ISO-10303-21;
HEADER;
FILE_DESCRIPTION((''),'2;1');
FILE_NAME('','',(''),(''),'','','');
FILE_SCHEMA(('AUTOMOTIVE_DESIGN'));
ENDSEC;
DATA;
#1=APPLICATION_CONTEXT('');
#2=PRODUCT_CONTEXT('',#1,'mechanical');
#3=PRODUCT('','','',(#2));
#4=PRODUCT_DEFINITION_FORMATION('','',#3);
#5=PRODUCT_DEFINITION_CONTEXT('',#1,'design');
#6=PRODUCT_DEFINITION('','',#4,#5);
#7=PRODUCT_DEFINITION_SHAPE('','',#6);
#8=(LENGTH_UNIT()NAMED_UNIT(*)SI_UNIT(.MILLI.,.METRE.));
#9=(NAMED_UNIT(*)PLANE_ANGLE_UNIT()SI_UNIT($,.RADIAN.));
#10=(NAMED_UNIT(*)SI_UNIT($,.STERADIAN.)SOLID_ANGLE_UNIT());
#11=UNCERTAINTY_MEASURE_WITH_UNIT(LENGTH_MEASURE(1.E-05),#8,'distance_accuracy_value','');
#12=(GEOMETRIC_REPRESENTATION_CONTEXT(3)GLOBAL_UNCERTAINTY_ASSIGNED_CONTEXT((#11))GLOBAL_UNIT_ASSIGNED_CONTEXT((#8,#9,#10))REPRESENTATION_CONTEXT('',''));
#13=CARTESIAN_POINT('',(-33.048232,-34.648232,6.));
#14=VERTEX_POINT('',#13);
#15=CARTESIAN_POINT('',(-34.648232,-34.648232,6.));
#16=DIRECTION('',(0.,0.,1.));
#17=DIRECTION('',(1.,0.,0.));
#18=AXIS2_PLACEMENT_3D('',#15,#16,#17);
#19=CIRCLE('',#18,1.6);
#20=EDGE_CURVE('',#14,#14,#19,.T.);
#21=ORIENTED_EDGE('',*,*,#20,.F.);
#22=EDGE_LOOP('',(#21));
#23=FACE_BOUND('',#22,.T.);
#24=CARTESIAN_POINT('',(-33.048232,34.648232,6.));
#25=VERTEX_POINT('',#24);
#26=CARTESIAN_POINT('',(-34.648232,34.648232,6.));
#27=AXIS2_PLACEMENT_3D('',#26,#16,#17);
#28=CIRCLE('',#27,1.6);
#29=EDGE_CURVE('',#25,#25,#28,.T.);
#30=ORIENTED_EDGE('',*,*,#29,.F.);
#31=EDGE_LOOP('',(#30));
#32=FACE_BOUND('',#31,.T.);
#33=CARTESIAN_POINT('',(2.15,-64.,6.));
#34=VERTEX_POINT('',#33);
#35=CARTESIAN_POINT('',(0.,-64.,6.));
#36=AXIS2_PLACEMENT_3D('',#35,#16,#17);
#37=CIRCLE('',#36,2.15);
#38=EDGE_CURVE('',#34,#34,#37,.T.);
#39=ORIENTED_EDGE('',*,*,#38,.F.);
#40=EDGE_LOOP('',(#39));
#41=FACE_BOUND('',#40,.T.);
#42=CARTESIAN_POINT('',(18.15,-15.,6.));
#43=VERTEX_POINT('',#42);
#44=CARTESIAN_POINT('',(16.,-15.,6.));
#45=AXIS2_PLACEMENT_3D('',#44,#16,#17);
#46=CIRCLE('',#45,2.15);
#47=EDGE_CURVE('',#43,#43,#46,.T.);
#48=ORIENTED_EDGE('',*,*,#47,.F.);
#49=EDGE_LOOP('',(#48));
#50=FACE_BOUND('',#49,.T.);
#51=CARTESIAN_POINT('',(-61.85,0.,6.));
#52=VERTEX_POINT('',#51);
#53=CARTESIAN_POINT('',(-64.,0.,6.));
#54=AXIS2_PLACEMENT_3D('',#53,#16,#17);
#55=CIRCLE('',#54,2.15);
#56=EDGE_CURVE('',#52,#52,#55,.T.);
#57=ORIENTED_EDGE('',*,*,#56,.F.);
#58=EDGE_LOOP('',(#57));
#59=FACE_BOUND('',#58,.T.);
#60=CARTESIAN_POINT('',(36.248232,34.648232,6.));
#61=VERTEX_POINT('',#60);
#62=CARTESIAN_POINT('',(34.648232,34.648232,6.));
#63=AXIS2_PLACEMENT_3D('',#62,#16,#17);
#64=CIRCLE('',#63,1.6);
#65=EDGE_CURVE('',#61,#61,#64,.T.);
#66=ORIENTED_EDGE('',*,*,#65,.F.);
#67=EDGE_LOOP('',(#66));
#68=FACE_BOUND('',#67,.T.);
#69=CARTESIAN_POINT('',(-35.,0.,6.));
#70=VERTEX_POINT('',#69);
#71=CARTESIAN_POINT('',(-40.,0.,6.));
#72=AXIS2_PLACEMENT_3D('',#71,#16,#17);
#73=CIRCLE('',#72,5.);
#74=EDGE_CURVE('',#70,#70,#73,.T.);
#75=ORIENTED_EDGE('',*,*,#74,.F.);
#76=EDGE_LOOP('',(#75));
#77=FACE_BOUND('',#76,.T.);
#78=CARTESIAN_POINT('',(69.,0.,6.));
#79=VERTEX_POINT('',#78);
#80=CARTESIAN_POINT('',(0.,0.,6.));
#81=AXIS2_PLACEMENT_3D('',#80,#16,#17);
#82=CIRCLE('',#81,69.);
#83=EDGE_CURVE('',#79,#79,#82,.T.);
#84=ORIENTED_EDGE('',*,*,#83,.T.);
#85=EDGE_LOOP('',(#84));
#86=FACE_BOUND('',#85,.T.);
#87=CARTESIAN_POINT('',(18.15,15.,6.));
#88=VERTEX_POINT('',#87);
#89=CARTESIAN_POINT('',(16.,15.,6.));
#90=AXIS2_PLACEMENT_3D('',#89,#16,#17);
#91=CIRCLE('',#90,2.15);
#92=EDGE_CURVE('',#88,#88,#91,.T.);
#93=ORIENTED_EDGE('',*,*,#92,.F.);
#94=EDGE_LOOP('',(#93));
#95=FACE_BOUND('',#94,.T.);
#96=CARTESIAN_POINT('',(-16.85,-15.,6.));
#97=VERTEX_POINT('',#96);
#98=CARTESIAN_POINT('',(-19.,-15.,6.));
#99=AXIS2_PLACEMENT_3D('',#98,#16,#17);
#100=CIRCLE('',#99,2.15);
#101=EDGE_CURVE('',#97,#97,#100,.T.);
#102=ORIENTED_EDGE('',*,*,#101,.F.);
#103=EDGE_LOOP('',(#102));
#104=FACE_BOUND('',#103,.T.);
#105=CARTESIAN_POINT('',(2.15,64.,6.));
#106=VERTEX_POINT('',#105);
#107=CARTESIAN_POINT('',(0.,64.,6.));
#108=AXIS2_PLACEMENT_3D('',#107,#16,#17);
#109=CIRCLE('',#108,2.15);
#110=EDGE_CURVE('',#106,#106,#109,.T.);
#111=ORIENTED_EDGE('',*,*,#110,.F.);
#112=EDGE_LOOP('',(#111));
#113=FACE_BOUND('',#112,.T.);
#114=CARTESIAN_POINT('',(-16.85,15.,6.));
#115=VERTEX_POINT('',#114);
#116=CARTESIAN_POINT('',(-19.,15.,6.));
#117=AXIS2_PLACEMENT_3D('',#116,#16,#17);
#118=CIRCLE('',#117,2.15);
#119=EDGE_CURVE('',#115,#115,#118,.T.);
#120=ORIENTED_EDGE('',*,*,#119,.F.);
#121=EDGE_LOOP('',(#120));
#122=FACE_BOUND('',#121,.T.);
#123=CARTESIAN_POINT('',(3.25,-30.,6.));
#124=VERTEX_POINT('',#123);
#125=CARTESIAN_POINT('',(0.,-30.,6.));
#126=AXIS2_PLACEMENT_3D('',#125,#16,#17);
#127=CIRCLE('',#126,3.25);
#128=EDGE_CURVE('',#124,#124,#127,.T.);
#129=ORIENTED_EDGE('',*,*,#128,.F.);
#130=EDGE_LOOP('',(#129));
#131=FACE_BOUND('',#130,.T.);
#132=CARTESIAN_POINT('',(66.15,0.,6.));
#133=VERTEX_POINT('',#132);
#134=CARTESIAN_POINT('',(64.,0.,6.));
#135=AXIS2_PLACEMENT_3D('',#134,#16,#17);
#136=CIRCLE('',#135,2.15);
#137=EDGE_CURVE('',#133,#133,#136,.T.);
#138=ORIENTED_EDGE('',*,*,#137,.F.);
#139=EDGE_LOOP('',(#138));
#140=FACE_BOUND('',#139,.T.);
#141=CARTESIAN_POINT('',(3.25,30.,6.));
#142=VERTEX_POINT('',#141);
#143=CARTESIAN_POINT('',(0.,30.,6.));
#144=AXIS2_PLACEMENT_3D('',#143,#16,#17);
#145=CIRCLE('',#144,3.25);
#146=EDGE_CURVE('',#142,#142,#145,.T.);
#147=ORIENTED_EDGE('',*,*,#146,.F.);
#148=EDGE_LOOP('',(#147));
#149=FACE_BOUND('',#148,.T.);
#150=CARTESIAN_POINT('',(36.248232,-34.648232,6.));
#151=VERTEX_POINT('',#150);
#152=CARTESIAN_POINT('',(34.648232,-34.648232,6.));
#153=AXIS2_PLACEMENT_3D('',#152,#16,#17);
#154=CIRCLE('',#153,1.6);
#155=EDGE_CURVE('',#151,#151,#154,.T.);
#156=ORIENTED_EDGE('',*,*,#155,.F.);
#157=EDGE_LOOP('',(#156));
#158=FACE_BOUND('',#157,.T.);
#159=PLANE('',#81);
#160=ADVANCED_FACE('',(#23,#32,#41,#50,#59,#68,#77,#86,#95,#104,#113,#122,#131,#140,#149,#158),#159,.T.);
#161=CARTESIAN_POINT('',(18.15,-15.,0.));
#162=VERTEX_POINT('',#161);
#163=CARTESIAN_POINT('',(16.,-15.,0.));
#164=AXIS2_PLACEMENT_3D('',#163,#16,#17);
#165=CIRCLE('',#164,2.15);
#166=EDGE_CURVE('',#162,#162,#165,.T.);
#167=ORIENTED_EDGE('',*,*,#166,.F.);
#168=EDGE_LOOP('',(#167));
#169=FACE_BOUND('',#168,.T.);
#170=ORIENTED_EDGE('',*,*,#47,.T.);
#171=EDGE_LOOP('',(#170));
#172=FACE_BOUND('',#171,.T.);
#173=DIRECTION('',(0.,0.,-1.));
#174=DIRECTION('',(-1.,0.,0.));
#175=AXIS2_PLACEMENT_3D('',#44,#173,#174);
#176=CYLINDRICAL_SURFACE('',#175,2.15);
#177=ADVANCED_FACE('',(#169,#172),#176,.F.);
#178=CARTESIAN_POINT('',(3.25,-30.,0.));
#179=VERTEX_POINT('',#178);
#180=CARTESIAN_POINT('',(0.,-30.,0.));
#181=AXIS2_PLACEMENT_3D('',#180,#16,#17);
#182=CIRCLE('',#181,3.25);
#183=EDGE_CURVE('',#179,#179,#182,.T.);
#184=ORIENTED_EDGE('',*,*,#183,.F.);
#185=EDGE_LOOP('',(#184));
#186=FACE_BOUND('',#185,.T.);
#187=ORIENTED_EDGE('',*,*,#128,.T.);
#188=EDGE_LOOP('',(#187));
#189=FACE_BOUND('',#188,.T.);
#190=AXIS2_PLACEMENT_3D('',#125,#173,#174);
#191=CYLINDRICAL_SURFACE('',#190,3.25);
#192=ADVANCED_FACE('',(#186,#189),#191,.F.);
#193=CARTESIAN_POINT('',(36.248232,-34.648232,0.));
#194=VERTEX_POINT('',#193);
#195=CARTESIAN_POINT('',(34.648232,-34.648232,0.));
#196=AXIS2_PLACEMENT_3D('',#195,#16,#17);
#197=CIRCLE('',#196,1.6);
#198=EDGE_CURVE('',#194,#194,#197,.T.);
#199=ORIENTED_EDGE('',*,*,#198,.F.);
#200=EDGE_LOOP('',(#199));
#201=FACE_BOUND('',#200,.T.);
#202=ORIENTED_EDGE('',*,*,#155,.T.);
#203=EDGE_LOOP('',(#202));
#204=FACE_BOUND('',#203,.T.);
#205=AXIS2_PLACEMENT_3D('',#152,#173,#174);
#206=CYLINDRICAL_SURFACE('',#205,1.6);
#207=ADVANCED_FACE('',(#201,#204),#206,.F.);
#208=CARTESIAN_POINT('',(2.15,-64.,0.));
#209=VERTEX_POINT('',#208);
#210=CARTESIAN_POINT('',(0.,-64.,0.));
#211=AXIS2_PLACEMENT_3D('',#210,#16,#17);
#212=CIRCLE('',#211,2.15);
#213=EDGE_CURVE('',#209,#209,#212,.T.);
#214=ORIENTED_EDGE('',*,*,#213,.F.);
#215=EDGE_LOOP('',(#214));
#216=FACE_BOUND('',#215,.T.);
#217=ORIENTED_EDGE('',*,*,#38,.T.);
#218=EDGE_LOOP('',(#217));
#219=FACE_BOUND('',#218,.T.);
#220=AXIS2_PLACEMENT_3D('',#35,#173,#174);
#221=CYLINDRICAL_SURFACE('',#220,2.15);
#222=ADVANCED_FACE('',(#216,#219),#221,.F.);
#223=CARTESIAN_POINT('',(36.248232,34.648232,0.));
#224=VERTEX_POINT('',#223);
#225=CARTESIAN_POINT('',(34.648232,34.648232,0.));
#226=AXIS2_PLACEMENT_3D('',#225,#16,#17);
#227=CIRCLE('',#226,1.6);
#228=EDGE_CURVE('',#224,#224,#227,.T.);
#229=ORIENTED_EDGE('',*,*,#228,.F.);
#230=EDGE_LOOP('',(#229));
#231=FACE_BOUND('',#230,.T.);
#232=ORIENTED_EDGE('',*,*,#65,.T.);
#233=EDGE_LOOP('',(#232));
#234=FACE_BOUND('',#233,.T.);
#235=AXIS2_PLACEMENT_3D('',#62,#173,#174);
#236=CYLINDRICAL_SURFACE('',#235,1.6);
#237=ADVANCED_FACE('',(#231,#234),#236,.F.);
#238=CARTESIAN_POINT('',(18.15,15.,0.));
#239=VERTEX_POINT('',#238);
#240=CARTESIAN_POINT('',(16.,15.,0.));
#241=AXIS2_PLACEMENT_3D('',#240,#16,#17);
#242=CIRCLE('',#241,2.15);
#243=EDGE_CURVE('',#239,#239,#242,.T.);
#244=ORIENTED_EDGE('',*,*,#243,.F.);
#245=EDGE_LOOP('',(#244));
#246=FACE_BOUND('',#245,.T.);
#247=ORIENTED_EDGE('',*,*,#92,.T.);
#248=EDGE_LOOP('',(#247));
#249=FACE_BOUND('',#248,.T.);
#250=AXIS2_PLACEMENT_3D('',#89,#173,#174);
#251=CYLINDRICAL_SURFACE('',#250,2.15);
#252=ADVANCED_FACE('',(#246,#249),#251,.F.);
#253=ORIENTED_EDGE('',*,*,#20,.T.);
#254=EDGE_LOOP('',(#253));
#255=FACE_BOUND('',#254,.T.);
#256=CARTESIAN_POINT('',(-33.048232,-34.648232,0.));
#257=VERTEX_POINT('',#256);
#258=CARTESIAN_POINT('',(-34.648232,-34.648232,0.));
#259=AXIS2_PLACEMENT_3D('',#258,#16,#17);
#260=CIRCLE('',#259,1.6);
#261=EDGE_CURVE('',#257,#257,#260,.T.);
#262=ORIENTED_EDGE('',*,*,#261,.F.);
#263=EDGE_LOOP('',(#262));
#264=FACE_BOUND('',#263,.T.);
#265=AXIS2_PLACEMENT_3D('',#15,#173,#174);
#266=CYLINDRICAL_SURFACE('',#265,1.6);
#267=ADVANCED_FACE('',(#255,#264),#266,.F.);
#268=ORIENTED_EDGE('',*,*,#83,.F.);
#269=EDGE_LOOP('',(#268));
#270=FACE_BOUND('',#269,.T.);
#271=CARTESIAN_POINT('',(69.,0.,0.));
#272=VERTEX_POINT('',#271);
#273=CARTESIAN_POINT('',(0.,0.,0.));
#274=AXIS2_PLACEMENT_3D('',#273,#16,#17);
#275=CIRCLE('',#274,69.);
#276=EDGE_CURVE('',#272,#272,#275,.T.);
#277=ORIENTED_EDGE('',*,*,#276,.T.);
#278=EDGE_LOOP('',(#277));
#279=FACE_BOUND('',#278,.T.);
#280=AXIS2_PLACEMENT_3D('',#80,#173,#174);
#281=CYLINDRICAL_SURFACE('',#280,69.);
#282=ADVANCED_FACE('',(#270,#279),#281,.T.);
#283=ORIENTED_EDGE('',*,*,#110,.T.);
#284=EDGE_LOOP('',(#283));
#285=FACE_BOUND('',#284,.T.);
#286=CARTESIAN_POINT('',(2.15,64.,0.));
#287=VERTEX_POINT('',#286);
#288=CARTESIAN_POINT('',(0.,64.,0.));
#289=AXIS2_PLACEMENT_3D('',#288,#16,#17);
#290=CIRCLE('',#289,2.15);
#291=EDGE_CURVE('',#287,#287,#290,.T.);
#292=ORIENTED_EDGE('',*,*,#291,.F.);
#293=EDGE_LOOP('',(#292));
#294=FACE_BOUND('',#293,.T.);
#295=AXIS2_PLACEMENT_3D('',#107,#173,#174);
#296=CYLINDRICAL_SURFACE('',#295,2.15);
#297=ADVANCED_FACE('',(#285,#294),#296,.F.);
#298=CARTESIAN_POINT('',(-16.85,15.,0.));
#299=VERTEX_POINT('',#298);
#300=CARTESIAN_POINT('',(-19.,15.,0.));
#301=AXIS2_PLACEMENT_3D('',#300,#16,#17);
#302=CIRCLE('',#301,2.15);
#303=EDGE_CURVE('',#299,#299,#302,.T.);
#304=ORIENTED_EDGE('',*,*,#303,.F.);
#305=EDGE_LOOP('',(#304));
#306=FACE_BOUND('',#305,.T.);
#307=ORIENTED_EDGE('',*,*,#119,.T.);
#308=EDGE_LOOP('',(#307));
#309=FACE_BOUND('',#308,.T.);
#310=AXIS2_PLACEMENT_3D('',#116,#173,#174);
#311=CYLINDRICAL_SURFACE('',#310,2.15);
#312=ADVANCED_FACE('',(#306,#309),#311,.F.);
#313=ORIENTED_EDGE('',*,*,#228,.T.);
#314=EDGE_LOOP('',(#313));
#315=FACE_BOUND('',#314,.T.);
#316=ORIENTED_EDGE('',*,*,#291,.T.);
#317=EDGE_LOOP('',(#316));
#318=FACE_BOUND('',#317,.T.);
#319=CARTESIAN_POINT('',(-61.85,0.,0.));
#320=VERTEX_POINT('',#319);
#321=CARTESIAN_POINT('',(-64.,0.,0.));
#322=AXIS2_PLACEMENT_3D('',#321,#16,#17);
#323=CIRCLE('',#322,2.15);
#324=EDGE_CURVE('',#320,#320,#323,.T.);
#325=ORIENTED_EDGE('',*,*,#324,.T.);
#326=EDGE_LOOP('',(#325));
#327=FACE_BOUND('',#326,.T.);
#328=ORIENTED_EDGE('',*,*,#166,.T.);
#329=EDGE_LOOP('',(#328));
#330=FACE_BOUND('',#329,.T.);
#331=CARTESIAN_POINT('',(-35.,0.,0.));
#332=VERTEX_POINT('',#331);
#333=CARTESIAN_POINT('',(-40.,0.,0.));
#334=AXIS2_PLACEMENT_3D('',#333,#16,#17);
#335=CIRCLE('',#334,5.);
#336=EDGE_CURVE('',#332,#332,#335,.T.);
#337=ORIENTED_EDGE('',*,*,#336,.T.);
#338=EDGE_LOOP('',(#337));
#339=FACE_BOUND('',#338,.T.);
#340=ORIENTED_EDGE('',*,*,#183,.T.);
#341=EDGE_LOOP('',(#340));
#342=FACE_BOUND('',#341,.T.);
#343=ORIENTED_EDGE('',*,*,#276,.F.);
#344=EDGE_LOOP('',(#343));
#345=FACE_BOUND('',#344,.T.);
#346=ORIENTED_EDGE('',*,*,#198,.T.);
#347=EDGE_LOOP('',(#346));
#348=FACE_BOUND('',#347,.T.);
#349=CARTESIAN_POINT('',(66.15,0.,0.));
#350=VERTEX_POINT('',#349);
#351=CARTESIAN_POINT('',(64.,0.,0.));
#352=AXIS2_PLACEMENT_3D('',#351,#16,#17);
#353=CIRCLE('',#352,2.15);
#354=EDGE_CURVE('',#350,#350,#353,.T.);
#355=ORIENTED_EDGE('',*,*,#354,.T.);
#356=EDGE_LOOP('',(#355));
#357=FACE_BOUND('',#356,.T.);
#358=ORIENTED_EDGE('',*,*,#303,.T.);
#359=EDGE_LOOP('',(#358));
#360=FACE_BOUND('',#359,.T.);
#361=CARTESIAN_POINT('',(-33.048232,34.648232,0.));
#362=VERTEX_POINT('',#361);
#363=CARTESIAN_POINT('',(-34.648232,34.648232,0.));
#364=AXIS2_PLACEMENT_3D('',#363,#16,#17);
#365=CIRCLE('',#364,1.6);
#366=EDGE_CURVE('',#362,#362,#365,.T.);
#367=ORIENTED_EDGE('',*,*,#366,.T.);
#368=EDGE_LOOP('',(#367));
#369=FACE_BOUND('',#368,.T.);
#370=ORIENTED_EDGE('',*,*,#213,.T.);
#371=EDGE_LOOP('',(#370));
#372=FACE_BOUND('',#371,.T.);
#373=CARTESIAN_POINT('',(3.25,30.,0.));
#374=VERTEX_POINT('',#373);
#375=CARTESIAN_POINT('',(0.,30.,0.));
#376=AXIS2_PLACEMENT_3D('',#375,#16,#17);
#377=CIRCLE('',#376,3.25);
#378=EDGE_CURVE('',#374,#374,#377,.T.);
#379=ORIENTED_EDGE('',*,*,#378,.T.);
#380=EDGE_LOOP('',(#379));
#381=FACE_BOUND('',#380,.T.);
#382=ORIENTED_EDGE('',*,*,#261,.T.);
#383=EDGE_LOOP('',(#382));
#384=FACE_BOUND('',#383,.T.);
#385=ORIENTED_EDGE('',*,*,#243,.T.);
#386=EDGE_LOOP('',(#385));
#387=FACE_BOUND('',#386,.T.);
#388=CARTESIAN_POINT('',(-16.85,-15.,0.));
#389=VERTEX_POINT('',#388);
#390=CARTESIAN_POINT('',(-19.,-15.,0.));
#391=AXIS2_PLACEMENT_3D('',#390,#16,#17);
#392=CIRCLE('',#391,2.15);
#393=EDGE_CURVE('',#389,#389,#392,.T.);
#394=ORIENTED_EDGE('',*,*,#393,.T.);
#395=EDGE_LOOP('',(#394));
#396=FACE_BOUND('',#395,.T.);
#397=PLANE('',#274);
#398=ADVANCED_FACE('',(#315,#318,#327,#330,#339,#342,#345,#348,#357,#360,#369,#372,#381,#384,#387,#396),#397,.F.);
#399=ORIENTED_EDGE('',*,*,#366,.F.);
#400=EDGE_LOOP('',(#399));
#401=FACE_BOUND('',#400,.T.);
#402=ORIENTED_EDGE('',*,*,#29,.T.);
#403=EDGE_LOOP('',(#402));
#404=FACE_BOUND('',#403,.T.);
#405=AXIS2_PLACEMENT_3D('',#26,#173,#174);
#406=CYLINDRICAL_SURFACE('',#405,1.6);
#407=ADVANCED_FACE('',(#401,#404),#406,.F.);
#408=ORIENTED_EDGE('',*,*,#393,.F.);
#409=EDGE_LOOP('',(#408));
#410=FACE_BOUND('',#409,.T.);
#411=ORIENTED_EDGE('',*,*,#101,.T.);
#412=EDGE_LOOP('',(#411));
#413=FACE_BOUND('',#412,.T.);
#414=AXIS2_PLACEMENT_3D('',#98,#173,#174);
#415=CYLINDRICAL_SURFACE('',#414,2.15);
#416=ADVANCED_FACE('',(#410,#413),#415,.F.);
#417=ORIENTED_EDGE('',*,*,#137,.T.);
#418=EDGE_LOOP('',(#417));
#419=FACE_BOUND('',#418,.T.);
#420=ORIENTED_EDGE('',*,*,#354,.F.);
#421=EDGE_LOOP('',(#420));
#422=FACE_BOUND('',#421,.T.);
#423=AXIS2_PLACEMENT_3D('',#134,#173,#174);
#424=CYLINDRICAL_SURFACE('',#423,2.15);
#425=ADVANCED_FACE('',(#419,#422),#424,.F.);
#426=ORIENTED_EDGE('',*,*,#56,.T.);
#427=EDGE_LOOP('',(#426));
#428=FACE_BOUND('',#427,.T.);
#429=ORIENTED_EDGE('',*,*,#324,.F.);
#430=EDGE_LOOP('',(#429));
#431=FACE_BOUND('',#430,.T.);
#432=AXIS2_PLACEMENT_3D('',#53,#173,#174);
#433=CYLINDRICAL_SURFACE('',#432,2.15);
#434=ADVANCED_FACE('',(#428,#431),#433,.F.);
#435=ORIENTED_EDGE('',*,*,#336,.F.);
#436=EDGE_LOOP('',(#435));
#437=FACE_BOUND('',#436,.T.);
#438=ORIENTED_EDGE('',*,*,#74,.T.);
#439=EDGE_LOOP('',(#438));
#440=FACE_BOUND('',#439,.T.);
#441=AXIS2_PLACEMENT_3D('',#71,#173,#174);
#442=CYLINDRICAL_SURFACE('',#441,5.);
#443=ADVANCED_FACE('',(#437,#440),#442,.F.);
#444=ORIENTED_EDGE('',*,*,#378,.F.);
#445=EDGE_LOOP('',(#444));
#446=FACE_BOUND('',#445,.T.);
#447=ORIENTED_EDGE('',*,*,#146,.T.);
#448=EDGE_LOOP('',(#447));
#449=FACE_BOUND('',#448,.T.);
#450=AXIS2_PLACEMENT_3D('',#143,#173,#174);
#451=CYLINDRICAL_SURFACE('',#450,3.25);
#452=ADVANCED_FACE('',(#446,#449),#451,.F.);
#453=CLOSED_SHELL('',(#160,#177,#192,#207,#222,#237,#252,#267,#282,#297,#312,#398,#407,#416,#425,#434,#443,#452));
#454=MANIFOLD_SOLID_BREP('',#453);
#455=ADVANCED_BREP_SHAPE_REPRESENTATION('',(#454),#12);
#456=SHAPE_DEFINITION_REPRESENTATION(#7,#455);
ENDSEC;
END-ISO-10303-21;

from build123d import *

# Parameters (mm, degrees)
SKETCH_1_R      = 69
SKETCH_1_R_2    = 1.6
SKETCH_1_R_3    = 2.15
SKETCH_1_R_4    = 3.25
SKETCH_1_R_5    = 5
EXTRUDE_1_DEPTH = 6


with BuildPart() as part:
    # 草圖1 → 填料-伸長1 (new body)
    with BuildSketch(Plane.XY):
        Circle(SKETCH_1_R)
        with Locations((34.648232278, 34.648232278)):
            Circle(SKETCH_1_R_2, mode=Mode.SUBTRACT)
        with Locations((-34.648232278, 34.648232278)):
            Circle(SKETCH_1_R_2, mode=Mode.SUBTRACT)
        with Locations((-34.648232278, -34.648232278)):
            Circle(SKETCH_1_R_2, mode=Mode.SUBTRACT)
        with Locations((34.648232278, -34.648232278)):
            Circle(SKETCH_1_R_2, mode=Mode.SUBTRACT)
        with Locations((64, 0)):
            Circle(SKETCH_1_R_3, mode=Mode.SUBTRACT)
        with Locations((0, 64)):
            Circle(SKETCH_1_R_3, mode=Mode.SUBTRACT)
        with Locations((-64, 0)):
            Circle(SKETCH_1_R_3, mode=Mode.SUBTRACT)
        with Locations((0, -64)):
            Circle(SKETCH_1_R_3, mode=Mode.SUBTRACT)
        with Locations((-19, 15)):
            Circle(SKETCH_1_R_3, mode=Mode.SUBTRACT)
        with Locations((-19, -15)):
            Circle(SKETCH_1_R_3, mode=Mode.SUBTRACT)
        with Locations((16, 15)):
            Circle(SKETCH_1_R_3, mode=Mode.SUBTRACT)
        with Locations((16, -15)):
            Circle(SKETCH_1_R_3, mode=Mode.SUBTRACT)
        with Locations((0, 30)):
            Circle(SKETCH_1_R_4, mode=Mode.SUBTRACT)
        with Locations((0, -30)):
            Circle(SKETCH_1_R_4, mode=Mode.SUBTRACT)
        with Locations((-40, 0)):
            Circle(SKETCH_1_R_5, mode=Mode.SUBTRACT)
    extrude(amount=EXTRUDE_1_DEPTH)


solid = part.part
